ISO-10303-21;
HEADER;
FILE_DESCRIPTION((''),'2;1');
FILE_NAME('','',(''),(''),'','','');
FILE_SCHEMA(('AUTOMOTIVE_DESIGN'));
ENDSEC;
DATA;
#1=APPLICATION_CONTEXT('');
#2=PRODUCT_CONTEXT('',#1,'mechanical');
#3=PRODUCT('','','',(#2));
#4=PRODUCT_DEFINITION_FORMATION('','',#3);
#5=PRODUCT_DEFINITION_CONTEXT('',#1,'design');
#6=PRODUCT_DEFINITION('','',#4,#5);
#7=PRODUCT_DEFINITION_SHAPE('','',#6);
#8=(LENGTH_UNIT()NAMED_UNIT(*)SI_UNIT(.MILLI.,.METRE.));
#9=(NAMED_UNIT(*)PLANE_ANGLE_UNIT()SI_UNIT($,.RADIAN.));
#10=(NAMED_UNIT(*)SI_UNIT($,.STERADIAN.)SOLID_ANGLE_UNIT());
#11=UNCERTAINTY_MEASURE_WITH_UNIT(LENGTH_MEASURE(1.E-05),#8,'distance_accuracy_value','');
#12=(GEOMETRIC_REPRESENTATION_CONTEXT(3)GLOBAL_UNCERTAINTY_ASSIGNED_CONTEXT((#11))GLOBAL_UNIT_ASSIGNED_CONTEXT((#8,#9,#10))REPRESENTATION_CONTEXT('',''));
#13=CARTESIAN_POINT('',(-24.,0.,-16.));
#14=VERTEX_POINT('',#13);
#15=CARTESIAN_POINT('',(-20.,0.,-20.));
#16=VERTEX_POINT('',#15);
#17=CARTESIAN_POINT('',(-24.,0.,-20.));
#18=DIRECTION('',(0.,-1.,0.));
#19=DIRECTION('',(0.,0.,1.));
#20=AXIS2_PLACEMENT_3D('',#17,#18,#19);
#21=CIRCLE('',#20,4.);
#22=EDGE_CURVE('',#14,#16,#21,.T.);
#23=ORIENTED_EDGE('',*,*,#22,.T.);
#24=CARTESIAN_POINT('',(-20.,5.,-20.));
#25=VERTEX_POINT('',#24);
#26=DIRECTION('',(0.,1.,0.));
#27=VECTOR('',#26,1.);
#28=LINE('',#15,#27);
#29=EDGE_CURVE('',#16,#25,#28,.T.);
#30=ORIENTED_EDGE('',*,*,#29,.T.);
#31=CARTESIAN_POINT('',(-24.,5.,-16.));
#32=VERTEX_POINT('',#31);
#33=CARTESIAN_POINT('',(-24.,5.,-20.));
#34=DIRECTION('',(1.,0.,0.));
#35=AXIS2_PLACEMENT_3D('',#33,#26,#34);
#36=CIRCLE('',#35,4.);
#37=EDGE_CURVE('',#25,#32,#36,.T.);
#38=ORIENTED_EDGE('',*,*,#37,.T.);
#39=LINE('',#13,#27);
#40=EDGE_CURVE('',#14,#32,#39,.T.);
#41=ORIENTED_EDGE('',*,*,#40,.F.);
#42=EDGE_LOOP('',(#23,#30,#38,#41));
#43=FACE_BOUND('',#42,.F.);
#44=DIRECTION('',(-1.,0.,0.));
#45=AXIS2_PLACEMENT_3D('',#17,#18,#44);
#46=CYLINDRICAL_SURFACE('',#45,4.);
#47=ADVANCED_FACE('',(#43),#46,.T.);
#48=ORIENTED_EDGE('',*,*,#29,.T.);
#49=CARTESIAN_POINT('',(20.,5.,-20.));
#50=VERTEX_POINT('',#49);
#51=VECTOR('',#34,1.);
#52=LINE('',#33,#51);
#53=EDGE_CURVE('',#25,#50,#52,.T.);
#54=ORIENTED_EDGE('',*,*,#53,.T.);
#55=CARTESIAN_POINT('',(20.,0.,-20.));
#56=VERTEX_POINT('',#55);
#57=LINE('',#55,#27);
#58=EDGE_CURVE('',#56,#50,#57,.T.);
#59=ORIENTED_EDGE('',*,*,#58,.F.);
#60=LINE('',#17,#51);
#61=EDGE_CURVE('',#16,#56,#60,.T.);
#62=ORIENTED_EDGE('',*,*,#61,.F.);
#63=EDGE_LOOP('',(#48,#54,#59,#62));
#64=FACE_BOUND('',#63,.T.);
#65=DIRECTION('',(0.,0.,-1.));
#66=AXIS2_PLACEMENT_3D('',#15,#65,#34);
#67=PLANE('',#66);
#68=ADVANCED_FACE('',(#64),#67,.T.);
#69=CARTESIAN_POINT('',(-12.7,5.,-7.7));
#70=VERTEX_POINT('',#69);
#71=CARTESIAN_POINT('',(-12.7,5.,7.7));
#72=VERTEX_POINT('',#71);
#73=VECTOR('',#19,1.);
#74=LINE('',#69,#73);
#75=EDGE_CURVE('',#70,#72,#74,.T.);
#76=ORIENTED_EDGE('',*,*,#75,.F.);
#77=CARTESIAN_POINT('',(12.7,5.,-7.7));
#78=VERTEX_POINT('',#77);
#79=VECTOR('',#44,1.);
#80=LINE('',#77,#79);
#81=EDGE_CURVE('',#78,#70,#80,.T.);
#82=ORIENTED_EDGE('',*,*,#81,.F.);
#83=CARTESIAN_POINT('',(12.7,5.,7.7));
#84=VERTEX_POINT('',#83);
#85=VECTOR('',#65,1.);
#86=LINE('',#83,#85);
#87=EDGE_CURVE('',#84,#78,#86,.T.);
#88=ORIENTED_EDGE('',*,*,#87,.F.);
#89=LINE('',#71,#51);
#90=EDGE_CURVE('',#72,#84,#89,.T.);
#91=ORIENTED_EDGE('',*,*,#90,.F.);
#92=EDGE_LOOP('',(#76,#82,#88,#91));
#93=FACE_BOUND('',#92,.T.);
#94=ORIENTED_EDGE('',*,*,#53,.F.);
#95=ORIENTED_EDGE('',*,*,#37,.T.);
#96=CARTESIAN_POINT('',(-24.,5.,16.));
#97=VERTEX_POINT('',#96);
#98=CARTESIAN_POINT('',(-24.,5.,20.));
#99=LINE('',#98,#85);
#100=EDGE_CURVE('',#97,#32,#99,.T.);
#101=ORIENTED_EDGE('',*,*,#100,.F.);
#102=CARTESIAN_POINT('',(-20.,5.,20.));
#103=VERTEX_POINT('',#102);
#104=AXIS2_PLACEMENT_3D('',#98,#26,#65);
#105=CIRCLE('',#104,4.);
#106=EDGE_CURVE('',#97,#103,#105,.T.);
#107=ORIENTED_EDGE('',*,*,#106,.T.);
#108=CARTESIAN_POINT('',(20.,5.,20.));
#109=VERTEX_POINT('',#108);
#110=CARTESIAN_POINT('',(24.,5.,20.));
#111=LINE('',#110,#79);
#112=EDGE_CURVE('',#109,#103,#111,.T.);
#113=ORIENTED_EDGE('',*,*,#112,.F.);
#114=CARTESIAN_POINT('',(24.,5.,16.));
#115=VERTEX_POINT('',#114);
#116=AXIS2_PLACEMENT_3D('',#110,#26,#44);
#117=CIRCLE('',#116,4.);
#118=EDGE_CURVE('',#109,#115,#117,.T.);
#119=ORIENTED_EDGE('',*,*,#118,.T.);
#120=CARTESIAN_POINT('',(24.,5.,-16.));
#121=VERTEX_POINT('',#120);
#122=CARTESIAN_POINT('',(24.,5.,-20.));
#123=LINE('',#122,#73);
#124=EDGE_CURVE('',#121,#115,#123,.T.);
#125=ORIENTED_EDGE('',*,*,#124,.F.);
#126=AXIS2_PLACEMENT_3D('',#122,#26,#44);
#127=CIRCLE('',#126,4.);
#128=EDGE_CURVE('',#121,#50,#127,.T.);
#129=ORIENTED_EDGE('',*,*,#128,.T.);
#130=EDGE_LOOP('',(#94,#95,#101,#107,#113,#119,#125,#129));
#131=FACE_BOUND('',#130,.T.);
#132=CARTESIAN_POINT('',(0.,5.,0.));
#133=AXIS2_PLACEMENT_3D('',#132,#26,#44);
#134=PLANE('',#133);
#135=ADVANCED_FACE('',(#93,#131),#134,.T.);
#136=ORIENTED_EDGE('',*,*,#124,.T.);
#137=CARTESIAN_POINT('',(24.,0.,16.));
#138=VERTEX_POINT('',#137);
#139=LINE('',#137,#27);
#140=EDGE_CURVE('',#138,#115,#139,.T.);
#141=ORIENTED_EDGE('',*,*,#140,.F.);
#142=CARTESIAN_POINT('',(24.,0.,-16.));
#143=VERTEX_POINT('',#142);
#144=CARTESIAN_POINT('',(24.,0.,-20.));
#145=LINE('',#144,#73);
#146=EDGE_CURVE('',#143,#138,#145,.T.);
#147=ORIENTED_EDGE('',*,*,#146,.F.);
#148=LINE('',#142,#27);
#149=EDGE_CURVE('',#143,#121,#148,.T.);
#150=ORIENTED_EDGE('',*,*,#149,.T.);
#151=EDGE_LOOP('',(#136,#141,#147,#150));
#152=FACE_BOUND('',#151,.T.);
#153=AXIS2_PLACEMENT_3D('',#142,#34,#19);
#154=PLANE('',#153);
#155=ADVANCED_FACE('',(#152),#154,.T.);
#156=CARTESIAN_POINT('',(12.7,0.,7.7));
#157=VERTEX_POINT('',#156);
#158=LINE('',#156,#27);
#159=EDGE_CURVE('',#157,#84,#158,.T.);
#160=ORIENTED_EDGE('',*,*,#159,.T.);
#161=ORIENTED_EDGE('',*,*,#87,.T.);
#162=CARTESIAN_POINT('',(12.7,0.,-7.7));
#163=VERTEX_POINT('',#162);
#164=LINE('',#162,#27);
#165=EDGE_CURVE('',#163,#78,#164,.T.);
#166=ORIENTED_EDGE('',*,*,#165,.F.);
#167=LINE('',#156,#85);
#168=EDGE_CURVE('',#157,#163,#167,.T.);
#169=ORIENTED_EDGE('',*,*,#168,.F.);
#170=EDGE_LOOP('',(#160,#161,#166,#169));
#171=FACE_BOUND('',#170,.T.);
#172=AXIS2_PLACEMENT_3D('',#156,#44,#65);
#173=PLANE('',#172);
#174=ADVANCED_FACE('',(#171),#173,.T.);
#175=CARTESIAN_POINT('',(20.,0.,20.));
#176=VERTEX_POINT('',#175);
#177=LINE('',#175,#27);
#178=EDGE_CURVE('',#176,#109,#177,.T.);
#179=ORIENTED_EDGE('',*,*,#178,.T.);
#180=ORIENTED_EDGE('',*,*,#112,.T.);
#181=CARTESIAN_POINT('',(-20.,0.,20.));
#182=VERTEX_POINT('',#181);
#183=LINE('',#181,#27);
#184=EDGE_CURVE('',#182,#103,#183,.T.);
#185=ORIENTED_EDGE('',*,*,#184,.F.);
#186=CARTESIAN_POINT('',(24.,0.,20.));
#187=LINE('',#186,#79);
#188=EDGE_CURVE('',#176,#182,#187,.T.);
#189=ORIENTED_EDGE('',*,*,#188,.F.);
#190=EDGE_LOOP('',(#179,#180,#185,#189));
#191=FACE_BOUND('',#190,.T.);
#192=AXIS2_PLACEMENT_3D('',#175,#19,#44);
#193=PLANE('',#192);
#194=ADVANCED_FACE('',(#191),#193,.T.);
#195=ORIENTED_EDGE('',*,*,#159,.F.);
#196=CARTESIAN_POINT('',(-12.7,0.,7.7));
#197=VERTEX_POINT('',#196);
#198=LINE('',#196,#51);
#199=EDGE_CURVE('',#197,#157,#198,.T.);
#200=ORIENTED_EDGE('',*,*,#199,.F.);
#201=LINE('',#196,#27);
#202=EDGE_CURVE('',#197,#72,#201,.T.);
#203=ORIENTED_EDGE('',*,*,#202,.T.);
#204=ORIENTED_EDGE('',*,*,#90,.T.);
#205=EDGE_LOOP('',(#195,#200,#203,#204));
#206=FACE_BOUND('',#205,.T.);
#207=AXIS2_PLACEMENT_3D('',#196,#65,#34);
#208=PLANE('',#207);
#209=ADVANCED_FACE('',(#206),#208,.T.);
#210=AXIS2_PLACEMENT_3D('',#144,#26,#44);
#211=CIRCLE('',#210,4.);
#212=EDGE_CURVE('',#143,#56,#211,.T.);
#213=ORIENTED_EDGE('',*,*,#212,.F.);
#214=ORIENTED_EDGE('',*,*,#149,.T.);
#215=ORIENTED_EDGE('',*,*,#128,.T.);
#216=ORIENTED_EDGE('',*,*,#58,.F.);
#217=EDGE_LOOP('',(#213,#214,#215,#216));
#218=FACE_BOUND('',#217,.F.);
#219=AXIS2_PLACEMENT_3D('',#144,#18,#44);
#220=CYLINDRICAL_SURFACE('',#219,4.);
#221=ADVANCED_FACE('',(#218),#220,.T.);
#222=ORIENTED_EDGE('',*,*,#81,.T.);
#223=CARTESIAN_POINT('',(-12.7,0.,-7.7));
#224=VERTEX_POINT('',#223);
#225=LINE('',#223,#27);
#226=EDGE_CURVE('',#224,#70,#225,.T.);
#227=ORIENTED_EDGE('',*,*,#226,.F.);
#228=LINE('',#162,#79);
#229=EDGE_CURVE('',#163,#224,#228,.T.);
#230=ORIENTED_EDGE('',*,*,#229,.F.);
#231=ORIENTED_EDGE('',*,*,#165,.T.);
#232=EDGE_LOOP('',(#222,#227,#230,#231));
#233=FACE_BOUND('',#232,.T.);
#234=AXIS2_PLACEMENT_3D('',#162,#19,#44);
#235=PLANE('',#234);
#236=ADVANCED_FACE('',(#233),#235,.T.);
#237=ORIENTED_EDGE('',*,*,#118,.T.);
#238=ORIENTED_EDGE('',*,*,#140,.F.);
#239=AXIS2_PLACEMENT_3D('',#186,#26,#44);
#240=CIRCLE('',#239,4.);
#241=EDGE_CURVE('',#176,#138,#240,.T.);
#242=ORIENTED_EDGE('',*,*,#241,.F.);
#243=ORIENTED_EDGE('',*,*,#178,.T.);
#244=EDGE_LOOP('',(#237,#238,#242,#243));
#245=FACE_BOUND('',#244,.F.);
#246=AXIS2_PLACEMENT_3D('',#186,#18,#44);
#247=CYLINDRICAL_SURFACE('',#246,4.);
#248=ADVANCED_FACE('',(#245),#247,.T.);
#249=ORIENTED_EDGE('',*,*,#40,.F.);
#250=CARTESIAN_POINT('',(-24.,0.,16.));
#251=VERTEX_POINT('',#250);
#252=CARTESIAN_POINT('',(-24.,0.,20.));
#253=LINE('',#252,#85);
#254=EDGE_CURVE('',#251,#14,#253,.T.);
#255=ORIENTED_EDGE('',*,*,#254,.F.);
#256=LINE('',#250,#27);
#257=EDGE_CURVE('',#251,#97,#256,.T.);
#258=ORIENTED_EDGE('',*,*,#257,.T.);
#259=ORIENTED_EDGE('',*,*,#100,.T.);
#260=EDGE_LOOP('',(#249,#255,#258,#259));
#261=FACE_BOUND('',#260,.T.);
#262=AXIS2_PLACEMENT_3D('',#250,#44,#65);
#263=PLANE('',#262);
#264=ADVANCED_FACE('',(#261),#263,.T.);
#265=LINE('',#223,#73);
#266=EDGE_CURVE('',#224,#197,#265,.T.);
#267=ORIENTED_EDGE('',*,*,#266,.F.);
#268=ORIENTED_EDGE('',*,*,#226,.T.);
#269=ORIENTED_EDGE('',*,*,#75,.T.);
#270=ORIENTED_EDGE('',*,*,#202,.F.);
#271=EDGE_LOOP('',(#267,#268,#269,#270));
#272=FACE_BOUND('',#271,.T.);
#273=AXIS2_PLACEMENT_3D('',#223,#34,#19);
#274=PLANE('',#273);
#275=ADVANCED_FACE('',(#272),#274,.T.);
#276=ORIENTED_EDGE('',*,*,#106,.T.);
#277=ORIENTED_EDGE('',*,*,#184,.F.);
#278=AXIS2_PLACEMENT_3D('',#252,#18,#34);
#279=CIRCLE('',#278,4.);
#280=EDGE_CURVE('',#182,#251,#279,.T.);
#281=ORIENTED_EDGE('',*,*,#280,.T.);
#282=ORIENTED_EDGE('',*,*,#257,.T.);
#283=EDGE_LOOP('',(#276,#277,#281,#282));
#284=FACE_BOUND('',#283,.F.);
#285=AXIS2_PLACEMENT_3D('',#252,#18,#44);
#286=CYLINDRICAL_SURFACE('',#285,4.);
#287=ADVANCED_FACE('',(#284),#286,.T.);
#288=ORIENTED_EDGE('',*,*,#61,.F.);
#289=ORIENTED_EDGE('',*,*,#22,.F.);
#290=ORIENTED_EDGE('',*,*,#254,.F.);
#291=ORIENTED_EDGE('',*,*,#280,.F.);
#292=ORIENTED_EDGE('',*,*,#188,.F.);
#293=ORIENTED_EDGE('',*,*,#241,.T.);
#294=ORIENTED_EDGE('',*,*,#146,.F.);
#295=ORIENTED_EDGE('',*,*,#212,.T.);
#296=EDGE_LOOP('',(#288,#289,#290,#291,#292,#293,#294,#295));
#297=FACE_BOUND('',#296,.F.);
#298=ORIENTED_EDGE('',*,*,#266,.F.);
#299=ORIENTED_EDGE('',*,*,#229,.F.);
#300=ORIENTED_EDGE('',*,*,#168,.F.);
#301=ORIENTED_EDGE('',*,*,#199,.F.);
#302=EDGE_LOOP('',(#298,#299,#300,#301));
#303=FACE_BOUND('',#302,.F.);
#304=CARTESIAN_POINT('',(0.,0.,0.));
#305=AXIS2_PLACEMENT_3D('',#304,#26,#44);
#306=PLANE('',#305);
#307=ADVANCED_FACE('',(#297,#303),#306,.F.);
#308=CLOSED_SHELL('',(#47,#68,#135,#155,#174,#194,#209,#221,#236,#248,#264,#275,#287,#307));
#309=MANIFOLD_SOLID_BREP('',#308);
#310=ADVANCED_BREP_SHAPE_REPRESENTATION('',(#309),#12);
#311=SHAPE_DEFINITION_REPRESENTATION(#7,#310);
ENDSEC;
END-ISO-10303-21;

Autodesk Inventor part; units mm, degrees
ref_plane "YZ Plane" through (0, 0, 0) normal (1, 0, 0) x (0, 1, 0)
ref_plane "XZ Plane" through (0, 0, 0) normal (0, 1, 0) x (-1, 0, 0)
ref_plane "XY Plane" through (0, 0, 0) normal (0, 0, 1) x (1, 0, 0)
sketch "Sketch1" plane through (0, 0, 0) normal (0, 1, 0) x (-1, 0, 0)
  line L0 (12.7, 7.7) -> (-12.7, 7.7)
  line L1 (-12.7, 7.7) -> (-12.7, -7.7)
  line L2 (-12.7, -7.7) -> (12.7, -7.7)
  line L3 (12.7, -7.7) -> (12.7, 7.7)
  line L4 (24, -20) -> (-24, -20)
  line L5 (-24, -20) -> (-24, 20)
  line L6 (-24, 20) -> (24, 20)
  line L7 (24, 20) -> (24, -20)
  circle A0 centre (24, -20) radius 4
  circle A1 centre (-24, -20) radius 4
  circle A2 centre (24, 20) radius 4
  circle A3 centre (-24, 20) radius 4
  point P0 (0, 0)
  point P1 (0, -7.7)
  point P2 (12.7, 0)
  point P3 (0, 20)
  point P4 (24, 0)
  dimension "d0" = 25.4
  dimension "d1" = 15.4
  dimension "d11" = 8
  dimension "d12" = 8
  dimension "d13" = 8
  dimension "d14" = 8
  dimension "d15" = 40
  dimension "d16" = 48
extrude "Extrusion1" add sketch "Sketch1" along normal blind 5
fillet "Fillet1" [suppressed]
properties part number "cubierta2"
